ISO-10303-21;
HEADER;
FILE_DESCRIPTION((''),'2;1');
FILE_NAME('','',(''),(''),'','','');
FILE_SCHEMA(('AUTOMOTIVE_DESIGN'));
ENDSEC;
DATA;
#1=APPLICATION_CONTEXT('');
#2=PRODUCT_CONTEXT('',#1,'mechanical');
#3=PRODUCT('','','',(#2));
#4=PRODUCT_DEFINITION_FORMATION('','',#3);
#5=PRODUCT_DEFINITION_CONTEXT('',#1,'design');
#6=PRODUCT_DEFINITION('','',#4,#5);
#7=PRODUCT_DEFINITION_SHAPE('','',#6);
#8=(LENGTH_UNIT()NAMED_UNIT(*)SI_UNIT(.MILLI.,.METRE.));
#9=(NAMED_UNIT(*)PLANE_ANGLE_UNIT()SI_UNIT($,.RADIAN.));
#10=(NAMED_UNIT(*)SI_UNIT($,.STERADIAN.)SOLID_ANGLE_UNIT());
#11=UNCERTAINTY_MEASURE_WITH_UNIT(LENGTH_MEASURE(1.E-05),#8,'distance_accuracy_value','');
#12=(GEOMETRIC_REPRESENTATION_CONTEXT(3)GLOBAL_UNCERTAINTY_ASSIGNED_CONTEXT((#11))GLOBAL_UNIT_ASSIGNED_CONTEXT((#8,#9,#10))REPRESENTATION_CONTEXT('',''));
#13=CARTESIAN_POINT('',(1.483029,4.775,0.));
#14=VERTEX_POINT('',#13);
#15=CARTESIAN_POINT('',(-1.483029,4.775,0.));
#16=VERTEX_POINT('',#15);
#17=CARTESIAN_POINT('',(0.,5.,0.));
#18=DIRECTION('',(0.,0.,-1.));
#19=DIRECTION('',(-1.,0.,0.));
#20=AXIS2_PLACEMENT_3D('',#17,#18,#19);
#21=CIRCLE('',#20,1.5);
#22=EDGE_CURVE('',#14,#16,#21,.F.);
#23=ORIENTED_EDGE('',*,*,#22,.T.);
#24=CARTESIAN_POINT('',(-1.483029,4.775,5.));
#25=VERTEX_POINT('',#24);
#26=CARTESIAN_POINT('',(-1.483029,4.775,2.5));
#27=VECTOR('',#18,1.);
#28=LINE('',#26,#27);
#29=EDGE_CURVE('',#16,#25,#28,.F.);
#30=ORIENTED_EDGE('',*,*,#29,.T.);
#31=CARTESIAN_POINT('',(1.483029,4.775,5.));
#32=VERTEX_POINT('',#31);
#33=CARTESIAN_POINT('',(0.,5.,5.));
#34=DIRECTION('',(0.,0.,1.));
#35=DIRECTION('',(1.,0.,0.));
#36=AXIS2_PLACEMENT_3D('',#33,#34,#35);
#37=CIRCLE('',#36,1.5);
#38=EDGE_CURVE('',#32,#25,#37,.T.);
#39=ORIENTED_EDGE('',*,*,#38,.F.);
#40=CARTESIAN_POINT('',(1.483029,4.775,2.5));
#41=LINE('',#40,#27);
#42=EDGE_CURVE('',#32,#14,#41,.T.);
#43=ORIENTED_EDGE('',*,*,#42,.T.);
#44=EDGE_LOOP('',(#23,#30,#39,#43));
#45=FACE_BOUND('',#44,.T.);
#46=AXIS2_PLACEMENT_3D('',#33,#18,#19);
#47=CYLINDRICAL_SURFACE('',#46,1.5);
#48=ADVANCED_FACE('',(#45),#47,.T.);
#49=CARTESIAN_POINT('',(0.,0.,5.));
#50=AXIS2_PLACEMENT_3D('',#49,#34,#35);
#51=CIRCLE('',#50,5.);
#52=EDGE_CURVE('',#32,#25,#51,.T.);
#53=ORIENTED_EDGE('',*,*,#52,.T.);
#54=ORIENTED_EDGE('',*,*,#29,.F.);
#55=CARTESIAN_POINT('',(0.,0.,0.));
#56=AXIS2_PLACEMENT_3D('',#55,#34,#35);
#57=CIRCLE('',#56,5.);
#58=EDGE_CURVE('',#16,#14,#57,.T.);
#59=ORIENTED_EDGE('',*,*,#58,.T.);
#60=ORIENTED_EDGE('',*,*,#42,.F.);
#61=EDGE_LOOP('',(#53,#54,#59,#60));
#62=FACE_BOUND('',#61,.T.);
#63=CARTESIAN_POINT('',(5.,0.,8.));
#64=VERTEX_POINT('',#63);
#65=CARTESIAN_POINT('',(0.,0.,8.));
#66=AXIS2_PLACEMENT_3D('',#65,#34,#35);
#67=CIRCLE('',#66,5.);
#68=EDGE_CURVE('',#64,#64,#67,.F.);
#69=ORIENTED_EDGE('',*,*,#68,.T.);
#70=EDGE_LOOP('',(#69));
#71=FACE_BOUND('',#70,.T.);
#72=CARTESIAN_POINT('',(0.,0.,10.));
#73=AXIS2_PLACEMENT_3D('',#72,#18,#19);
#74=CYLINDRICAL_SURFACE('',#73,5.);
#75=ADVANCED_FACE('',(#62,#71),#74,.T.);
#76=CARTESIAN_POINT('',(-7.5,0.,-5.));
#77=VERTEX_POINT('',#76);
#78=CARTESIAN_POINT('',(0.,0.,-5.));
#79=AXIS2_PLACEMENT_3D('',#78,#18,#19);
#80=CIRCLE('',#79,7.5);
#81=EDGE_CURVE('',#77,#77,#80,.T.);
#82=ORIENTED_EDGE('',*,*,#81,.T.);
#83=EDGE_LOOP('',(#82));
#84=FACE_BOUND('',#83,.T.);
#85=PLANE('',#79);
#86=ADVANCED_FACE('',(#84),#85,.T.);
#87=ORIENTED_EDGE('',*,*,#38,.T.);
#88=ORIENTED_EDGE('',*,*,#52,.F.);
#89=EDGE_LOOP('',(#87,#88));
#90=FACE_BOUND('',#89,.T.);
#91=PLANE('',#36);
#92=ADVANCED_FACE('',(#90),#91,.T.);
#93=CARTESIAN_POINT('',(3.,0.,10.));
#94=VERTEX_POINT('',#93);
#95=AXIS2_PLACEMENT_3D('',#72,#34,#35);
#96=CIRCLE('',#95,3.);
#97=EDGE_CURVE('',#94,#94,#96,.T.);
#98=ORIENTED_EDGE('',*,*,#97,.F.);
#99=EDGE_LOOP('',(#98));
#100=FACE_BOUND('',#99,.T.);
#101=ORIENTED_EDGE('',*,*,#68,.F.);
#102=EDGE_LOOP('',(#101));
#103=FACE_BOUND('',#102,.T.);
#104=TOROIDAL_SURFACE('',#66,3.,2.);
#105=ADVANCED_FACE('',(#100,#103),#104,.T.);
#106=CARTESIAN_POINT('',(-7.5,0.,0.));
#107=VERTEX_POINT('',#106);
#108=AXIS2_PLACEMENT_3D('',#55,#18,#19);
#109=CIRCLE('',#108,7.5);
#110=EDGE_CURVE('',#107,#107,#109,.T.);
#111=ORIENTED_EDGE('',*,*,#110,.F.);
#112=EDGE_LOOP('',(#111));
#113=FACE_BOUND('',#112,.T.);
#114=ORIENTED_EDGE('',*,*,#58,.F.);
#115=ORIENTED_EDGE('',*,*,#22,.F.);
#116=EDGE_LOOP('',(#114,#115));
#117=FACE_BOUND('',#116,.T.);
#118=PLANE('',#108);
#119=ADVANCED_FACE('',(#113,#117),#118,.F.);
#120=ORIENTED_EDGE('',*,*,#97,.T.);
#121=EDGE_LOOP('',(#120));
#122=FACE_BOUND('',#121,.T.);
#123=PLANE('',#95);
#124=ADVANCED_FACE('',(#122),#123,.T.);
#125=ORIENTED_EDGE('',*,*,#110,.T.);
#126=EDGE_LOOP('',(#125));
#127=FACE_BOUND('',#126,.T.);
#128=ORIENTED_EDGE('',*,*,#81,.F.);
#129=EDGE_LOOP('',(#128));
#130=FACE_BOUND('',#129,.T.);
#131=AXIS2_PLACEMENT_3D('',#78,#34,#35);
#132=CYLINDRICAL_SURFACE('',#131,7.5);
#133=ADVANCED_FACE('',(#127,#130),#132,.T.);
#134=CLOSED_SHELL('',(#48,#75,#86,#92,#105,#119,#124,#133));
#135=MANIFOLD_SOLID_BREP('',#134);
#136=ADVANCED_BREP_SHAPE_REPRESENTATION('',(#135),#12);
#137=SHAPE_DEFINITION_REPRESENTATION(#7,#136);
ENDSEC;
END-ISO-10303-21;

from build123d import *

# Parameters (mm, degrees)
SKETCH_1_R      = 5
EXTRUDE_1_DEPTH = 10
SKETCH_2_R      = 7.5
EXTRUDE_2_DEPTH = 5
FILLET_1_R      = 2
SKETCH_5_R      = 1.5
EXTRUDE_4_DEPTH = 5


with BuildPart() as part:
    # 草图1 → 凸台-拉伸1 (new body)
    with BuildSketch(Plane.XY):
        Circle(SKETCH_1_R)
    extrude(amount=EXTRUDE_1_DEPTH)

    # 草图2 → 凸台-拉伸2 (add)
    with BuildSketch(Plane(origin=(0, 0, 0), x_dir=(-1, 0, 0), z_dir=(0, 0, -1))):
        Circle(SKETCH_2_R)
    extrude(amount=EXTRUDE_2_DEPTH)

    # 圆角1
    fillet_1_edges = [part.edges().sort_by_distance(p)[0] for p in [
        (-5, 0, 10),
    ]]
    fillet(fillet_1_edges, radius=FILLET_1_R)

    # 草图5 → 凸台-拉伸4 (add)
    with BuildSketch(Plane.XY):
        with Locations((0, 5)):
            Circle(SKETCH_5_R)
    extrude(amount=EXTRUDE_4_DEPTH)


solid = part.part
